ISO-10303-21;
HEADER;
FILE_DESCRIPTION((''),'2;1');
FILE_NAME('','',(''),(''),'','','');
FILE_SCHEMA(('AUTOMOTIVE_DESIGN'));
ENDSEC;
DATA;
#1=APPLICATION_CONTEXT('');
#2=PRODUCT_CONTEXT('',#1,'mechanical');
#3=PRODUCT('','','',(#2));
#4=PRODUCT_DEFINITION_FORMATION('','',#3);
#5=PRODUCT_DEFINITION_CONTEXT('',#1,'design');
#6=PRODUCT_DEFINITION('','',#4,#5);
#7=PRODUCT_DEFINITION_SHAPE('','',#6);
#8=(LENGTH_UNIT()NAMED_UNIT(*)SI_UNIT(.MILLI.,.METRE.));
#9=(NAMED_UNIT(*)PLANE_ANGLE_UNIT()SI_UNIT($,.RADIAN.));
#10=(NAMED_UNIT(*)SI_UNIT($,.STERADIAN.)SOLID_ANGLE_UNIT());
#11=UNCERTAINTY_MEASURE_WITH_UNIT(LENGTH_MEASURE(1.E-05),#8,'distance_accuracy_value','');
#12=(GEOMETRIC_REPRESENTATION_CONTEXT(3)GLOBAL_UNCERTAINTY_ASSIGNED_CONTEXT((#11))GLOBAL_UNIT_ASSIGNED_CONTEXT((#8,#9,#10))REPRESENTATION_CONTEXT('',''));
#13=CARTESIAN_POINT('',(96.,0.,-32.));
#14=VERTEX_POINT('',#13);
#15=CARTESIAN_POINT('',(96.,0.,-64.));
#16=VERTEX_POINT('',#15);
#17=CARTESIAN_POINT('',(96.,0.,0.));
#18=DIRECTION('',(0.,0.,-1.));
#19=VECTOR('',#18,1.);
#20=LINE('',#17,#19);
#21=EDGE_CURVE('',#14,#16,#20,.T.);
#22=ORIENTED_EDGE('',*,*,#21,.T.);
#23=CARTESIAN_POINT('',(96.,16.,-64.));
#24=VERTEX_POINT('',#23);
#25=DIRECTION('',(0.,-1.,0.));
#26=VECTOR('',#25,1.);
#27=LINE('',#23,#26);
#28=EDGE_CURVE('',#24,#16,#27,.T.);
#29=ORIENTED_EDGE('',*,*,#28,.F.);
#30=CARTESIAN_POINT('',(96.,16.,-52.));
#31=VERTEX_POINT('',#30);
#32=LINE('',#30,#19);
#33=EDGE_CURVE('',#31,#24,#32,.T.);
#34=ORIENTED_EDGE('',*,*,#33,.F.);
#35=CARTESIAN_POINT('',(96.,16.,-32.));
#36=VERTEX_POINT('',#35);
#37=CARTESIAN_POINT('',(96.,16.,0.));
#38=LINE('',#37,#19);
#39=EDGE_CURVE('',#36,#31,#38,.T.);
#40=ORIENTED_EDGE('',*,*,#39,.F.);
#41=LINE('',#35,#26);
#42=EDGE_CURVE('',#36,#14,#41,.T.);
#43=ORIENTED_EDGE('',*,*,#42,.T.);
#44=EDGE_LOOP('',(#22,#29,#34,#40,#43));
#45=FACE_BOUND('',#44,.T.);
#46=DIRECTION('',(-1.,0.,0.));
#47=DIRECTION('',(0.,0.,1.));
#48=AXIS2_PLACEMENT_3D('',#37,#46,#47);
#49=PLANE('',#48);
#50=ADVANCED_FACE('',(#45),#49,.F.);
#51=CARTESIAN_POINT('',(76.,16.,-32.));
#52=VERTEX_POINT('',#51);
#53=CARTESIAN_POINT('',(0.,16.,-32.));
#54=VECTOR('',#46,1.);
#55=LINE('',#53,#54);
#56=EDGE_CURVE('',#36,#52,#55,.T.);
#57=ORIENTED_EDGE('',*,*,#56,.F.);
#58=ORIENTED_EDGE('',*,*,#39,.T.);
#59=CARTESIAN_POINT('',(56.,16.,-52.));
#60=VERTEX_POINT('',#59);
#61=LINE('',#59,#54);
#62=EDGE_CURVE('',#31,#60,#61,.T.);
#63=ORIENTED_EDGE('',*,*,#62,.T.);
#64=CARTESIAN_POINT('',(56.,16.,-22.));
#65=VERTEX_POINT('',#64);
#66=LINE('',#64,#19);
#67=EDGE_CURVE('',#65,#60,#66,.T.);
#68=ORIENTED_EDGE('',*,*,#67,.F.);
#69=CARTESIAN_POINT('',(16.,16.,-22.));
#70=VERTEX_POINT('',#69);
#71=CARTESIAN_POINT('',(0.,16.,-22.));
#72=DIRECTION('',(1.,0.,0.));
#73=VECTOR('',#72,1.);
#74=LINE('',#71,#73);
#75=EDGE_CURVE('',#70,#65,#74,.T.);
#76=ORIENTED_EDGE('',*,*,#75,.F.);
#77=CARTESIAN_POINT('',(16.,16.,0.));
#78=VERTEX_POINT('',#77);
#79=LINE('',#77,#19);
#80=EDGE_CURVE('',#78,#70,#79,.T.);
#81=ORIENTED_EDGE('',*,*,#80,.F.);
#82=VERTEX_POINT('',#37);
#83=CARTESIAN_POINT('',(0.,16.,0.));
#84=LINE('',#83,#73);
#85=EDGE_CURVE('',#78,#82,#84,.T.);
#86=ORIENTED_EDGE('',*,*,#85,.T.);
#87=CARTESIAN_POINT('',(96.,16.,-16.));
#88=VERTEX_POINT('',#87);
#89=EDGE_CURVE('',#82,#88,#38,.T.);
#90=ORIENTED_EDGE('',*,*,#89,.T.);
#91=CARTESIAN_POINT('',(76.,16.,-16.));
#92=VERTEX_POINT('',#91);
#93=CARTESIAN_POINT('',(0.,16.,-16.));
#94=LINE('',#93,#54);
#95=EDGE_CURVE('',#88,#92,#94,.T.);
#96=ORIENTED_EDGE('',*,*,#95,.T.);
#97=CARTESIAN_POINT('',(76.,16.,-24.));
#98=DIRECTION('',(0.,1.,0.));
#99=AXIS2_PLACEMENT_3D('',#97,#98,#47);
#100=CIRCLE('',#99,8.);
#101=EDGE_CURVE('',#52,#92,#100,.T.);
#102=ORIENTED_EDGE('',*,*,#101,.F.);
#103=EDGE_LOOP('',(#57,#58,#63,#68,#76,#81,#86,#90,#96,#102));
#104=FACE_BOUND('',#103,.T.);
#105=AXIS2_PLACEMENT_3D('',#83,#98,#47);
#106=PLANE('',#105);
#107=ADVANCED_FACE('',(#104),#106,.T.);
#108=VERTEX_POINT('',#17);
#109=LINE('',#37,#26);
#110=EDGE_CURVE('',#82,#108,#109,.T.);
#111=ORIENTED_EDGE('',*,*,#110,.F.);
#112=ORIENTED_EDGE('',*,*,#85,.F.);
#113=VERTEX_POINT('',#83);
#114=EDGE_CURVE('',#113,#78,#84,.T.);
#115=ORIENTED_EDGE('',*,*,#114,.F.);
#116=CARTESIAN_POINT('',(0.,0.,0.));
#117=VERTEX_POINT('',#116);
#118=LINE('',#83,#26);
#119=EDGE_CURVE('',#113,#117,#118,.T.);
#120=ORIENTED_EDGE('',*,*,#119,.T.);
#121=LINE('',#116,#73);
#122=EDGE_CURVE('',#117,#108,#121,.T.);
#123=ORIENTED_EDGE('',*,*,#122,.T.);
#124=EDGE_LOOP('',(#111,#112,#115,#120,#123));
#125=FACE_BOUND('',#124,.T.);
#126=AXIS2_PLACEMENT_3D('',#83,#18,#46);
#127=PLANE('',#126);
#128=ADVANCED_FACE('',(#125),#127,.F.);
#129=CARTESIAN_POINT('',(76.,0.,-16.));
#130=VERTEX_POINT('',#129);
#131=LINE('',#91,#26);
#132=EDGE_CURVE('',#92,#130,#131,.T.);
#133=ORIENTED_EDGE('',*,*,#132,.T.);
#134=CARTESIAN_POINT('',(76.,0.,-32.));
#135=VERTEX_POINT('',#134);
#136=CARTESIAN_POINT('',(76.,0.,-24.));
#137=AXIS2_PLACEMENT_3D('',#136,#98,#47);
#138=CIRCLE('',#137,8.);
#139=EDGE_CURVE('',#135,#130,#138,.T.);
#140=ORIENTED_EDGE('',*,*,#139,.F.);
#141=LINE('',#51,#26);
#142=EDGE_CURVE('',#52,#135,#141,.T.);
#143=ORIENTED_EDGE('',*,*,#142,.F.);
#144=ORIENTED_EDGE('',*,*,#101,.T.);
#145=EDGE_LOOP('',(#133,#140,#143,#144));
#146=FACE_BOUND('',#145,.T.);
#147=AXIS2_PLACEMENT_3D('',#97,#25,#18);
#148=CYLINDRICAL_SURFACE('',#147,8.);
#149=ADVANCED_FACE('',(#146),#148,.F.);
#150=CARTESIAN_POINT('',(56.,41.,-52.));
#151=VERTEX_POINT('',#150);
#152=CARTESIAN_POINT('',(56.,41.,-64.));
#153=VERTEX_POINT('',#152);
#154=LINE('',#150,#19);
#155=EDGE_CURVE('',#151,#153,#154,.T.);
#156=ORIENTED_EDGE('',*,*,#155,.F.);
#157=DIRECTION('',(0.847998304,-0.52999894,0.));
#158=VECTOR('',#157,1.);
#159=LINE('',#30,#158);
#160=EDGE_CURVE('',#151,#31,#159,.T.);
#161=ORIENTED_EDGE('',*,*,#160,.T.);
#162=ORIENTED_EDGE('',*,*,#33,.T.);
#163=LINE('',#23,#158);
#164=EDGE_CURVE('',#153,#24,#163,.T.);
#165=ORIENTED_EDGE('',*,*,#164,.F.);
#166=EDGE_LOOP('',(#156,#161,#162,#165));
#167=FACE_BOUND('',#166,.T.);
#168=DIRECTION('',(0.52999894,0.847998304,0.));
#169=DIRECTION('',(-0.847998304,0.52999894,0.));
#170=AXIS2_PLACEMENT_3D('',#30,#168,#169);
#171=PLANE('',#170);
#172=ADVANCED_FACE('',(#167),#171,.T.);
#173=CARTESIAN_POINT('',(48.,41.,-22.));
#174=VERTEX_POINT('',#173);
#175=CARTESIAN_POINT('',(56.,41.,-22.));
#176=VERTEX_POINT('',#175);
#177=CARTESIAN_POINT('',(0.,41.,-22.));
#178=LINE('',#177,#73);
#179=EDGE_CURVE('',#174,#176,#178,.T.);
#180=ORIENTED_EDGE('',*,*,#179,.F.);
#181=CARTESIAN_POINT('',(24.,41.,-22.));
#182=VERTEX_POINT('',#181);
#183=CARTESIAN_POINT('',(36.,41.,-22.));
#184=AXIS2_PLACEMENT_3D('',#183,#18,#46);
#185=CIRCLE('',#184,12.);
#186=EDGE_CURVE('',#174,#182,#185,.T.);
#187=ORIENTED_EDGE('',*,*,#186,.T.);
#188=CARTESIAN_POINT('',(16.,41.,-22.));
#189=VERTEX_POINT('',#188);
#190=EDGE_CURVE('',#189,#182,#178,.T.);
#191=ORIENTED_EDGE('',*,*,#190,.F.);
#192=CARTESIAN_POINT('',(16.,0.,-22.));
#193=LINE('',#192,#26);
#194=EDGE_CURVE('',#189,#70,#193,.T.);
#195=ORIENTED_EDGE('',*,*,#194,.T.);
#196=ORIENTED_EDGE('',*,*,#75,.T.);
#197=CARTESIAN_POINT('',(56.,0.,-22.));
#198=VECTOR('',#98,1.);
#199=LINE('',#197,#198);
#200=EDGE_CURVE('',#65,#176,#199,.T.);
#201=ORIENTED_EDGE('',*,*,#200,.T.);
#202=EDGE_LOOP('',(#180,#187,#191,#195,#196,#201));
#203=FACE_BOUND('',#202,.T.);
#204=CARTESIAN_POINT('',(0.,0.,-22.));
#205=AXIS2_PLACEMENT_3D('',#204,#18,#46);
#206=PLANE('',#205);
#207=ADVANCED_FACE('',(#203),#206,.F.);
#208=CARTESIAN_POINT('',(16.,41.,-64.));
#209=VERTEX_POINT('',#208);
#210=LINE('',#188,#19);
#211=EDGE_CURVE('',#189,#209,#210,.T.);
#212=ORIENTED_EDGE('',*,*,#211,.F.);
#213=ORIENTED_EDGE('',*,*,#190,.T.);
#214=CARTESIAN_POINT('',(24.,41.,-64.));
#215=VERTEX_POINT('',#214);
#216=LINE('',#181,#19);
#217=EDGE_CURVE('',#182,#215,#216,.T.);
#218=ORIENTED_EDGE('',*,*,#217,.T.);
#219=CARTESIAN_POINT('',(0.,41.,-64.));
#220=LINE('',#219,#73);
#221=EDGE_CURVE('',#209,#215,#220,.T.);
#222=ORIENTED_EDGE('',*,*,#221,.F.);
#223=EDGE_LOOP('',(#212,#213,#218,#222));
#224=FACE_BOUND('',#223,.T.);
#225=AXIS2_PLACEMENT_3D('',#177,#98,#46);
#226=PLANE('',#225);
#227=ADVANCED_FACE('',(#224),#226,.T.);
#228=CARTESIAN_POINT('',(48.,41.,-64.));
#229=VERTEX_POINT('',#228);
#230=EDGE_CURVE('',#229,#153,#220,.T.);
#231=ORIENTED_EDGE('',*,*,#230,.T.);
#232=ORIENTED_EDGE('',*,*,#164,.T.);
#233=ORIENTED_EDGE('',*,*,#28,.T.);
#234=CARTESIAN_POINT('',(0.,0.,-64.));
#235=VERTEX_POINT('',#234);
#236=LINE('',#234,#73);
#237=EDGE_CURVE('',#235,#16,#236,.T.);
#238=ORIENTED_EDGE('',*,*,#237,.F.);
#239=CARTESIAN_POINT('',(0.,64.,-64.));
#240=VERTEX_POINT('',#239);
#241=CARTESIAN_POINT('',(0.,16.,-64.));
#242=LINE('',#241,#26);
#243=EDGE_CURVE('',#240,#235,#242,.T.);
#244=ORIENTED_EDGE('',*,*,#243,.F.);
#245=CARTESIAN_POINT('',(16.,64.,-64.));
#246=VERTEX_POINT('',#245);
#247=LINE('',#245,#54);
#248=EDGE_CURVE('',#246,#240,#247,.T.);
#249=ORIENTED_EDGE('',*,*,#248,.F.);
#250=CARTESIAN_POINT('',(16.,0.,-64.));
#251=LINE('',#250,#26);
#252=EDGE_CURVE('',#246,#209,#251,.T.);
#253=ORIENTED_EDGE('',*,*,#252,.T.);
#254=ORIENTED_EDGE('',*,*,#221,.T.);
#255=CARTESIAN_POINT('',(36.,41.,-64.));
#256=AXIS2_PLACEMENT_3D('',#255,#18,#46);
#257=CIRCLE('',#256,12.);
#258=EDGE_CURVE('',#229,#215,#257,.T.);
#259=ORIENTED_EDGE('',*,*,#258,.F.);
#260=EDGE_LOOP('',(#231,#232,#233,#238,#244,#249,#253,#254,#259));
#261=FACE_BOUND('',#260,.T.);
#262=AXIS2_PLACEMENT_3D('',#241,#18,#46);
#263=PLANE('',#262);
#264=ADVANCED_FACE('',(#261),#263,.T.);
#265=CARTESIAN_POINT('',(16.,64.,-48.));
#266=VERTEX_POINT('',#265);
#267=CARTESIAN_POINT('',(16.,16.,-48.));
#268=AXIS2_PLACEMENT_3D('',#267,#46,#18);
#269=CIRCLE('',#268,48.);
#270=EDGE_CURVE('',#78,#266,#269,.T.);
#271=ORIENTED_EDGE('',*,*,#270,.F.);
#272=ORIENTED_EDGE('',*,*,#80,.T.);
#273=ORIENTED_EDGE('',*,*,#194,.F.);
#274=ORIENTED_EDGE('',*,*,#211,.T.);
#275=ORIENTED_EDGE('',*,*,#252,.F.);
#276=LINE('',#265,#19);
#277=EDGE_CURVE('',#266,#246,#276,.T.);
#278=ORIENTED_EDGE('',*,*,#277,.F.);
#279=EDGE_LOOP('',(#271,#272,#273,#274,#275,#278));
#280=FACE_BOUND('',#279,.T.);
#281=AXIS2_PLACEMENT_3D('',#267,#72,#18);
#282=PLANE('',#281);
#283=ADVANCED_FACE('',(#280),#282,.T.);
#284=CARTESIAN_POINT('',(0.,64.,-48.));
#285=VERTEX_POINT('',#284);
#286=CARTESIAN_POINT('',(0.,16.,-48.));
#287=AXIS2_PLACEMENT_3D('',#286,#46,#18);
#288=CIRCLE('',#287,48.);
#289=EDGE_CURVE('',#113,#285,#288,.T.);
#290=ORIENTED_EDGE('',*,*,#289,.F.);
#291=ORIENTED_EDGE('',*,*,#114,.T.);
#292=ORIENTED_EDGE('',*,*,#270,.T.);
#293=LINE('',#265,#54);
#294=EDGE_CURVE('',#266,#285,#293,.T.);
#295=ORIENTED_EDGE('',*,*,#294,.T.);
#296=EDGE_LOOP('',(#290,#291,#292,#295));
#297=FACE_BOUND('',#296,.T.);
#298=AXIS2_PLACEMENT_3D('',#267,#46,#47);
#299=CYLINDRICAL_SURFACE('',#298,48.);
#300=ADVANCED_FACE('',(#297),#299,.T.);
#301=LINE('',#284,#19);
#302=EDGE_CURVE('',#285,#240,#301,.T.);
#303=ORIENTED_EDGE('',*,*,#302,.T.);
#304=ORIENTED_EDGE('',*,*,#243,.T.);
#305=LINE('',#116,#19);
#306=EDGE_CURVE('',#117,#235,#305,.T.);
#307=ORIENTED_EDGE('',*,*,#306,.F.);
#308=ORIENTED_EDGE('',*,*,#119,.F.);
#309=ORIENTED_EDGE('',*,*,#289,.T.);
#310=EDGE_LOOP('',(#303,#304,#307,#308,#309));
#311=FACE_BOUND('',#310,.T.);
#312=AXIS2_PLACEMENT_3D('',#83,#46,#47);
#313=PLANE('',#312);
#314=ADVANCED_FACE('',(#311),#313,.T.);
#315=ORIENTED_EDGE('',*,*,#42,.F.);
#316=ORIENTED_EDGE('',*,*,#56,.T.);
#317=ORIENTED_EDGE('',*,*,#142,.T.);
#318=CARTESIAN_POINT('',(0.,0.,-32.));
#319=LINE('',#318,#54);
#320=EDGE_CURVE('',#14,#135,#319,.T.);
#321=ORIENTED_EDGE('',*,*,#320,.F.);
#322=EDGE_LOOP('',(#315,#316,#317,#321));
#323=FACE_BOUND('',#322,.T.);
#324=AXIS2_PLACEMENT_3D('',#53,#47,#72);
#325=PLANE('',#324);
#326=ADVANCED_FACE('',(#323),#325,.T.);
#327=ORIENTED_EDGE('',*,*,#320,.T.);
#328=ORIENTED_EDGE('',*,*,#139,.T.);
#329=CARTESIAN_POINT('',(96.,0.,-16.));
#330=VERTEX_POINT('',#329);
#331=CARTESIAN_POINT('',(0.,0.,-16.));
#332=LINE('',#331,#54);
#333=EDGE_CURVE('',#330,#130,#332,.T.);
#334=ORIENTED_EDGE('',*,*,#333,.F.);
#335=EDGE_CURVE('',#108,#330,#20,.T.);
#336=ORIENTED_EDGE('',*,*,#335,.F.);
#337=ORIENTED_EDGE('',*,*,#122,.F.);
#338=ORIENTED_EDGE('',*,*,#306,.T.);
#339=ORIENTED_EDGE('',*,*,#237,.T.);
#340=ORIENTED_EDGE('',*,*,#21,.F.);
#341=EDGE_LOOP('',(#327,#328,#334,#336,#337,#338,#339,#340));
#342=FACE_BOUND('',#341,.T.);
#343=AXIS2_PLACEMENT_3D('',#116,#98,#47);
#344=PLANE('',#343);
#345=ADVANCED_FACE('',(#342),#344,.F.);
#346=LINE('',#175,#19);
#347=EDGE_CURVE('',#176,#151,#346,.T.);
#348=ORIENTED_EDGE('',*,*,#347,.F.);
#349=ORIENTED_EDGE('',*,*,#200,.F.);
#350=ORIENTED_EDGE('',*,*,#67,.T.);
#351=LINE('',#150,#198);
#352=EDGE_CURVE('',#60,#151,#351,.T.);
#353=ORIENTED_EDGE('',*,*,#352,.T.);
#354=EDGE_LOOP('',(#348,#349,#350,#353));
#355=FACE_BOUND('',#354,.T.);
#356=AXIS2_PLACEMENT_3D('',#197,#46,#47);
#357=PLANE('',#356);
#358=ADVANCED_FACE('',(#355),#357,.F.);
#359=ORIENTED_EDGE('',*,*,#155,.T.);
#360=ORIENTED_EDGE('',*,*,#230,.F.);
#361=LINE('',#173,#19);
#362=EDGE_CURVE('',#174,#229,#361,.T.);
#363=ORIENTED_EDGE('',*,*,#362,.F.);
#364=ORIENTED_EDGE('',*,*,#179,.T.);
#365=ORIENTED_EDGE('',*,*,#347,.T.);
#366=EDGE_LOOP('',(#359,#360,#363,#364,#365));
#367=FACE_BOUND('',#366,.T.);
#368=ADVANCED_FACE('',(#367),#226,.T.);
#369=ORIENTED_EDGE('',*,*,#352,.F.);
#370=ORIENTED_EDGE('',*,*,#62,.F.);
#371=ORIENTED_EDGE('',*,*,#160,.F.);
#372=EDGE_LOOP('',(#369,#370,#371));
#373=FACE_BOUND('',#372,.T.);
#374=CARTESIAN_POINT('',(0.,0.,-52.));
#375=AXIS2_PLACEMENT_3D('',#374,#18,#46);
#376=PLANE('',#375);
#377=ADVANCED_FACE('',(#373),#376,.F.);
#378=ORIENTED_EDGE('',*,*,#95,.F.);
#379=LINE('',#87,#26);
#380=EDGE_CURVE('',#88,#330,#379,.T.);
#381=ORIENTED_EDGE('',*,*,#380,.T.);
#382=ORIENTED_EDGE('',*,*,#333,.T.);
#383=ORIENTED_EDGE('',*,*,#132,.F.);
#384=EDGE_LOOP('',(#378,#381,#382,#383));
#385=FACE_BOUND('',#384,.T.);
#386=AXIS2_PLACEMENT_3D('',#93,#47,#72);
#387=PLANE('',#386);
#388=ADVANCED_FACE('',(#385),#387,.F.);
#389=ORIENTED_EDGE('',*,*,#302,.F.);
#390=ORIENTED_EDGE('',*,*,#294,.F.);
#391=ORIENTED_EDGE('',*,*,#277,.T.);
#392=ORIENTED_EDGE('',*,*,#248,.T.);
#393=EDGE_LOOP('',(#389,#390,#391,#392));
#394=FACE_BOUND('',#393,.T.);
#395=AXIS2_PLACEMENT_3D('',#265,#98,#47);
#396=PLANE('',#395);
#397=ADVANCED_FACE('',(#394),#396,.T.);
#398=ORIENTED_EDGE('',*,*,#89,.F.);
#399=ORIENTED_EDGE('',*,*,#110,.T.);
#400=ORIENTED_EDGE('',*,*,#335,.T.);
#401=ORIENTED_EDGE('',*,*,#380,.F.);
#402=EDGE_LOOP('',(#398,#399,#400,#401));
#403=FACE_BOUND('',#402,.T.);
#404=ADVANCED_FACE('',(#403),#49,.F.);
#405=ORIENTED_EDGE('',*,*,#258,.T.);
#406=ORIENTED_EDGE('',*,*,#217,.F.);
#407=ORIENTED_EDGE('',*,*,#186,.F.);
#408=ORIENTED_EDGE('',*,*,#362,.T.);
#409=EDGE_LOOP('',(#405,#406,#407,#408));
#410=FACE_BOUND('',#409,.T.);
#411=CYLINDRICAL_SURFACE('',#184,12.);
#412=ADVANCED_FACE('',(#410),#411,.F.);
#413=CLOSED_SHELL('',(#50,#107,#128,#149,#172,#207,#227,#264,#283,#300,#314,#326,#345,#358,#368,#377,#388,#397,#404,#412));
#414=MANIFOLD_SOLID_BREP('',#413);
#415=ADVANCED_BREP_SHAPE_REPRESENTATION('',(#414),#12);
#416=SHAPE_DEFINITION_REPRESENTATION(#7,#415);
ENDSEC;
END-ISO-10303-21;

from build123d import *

# Parameters (mm, degrees)
BOSS_EXTRUDE1_DEPTH = 16
BOSS_EXTRUDE2_DEPTH = 16
BOSS_EXTRUDE3_DEPTH = 42
BOSS_EXTRUDE4_DEPTH = 12


with BuildPart() as part:
    # Sketch1 → Boss-Extrude1 (new body)
    with BuildSketch(Plane(origin=(0, 0, 0), x_dir=(1, 0, 0), z_dir=(0, 1, 0))):
        with BuildLine():
            Line((0, 64), (0, 0))
            Line((0, 0), (96, 0))
            Line((96, 0), (96, 16))
            Line((96, 16), (76, 16))
            ThreePointArc((76, 16), (68, 24), (76, 32))
            Line((76, 32), (96, 32))
            Line((96, 32), (96, 64))
            Line((96, 64), (0, 64))
        make_face()
    extrude(amount=BOSS_EXTRUDE1_DEPTH)

    # Sketch2 → Boss-Extrude2 (add)
    with BuildSketch(Plane.ZY):
        with BuildLine():
            Line((0, 0), (-64, 0))
            Line((-64, 0), (-64, 64))
            Line((-64, 64), (-48, 64))
            ThreePointArc((-48, 64), (-14.058874503, 49.941125497), (0, 16))
            Line((0, 16), (0, 0))
        make_face()
    extrude(amount=-BOSS_EXTRUDE2_DEPTH)

    # Sketch3 → Boss-Extrude3 (add)
    with BuildSketch(Plane(origin=(0, 0, -64), x_dir=(-1, 0, 0), z_dir=(0, 0, -1))):
        with BuildLine():
            Line((-56, 16), (-16, 16))
            Line((-16, 16), (-16, 41))
            Line((-16, 41), (-24, 41))
            ThreePointArc((-24, 41), (-36, 29), (-48, 41))
            Line((-48, 41), (-56, 41))
            Line((-56, 41), (-56, 16))
        make_face()
    extrude(amount=-BOSS_EXTRUDE3_DEPTH)

    # Sketch4 → Boss-Extrude4 (add)
    with BuildSketch(Plane(origin=(0, 0, -64), x_dir=(-1, 0, 0), z_dir=(0, 0, -1))):
        Polygon((-96, 16), (-56, 41), (-56, 16), align=None)
    extrude(amount=-BOSS_EXTRUDE4_DEPTH)


solid = part.part
